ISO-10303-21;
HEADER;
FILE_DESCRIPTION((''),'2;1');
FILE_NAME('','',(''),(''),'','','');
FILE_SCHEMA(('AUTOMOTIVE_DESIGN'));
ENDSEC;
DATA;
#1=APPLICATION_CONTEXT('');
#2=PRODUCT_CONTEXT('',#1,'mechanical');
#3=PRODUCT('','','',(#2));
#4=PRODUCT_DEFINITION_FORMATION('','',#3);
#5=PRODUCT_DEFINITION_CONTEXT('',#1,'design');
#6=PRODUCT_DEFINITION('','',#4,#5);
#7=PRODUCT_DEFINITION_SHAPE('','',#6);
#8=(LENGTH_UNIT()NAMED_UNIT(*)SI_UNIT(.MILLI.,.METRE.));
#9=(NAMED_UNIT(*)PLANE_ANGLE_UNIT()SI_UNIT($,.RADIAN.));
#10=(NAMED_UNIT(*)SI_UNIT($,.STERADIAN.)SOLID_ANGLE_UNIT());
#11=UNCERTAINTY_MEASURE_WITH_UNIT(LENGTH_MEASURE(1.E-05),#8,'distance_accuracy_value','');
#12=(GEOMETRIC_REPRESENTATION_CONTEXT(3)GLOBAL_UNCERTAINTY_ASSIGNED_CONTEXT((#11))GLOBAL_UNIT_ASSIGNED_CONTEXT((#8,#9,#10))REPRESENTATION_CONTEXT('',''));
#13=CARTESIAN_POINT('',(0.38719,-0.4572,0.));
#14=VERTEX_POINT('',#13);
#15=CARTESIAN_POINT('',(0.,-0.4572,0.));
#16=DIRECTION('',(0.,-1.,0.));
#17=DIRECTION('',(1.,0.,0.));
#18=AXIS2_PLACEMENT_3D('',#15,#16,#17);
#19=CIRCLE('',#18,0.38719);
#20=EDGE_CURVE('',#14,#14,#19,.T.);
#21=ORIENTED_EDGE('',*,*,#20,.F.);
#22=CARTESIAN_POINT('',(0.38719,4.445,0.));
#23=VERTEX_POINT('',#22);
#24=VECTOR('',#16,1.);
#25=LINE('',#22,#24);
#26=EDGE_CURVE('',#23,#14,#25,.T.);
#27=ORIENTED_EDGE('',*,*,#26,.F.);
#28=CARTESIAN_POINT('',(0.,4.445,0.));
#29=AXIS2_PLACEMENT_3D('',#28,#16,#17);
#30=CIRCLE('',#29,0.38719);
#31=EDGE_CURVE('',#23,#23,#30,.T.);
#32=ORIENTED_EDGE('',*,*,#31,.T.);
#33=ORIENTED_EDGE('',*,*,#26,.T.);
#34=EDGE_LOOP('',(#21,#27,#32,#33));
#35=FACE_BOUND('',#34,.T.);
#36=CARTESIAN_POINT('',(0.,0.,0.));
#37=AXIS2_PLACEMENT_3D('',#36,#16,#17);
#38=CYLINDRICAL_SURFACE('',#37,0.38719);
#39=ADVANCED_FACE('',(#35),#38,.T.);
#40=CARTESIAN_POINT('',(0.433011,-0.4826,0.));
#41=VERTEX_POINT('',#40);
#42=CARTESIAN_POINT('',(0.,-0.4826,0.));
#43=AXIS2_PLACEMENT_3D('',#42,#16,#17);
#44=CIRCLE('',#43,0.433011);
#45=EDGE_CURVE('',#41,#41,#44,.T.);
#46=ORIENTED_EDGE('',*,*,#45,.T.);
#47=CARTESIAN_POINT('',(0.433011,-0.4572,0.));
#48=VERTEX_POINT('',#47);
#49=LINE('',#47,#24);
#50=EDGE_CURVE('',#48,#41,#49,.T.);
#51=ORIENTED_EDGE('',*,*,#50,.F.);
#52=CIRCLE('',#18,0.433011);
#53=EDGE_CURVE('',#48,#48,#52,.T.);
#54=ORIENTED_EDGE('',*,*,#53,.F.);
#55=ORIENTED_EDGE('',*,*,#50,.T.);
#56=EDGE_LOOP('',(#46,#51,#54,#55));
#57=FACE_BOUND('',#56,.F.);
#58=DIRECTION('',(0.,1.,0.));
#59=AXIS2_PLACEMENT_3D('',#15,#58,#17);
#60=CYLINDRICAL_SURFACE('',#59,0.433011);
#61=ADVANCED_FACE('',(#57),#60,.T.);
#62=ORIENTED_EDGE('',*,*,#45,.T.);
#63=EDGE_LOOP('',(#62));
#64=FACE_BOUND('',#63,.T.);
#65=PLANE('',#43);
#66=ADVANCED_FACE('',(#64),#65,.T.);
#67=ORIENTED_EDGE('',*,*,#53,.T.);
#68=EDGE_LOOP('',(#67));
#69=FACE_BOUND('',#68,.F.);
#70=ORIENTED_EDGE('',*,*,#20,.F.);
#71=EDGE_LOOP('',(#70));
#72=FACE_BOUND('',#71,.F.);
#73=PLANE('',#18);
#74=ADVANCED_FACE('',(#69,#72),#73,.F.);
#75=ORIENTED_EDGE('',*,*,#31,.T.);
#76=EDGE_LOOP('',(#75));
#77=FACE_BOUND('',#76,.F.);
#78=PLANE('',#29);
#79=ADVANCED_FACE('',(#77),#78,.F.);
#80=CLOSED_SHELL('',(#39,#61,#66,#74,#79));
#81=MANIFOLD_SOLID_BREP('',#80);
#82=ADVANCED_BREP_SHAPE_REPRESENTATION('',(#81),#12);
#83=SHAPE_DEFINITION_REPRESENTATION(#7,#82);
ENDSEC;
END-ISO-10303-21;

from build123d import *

# Parameters (mm, degrees)
F0_R          = 0.38719
F1_DEPTH      = 0.4572
F1_DEPTH_BACK = 4.445
F2_R          = 0.433011
F3_DEPTH      = 0.0254


with BuildPart() as f1:
    # F0 (on Front) → F1 (new body, two sides)
    with BuildSketch(Plane.XZ) as f1_sk:
        Circle(F0_R)
    extrude(amount=F1_DEPTH)
    extrude(f1_sk.sketch, amount=-F1_DEPTH_BACK)

    # F2 (on face) → F3 (join)
    with BuildSketch(Plane.XZ.offset(0.4572)):
        Circle(F2_R)
    extrude(amount=F3_DEPTH)


solid = f1.part
